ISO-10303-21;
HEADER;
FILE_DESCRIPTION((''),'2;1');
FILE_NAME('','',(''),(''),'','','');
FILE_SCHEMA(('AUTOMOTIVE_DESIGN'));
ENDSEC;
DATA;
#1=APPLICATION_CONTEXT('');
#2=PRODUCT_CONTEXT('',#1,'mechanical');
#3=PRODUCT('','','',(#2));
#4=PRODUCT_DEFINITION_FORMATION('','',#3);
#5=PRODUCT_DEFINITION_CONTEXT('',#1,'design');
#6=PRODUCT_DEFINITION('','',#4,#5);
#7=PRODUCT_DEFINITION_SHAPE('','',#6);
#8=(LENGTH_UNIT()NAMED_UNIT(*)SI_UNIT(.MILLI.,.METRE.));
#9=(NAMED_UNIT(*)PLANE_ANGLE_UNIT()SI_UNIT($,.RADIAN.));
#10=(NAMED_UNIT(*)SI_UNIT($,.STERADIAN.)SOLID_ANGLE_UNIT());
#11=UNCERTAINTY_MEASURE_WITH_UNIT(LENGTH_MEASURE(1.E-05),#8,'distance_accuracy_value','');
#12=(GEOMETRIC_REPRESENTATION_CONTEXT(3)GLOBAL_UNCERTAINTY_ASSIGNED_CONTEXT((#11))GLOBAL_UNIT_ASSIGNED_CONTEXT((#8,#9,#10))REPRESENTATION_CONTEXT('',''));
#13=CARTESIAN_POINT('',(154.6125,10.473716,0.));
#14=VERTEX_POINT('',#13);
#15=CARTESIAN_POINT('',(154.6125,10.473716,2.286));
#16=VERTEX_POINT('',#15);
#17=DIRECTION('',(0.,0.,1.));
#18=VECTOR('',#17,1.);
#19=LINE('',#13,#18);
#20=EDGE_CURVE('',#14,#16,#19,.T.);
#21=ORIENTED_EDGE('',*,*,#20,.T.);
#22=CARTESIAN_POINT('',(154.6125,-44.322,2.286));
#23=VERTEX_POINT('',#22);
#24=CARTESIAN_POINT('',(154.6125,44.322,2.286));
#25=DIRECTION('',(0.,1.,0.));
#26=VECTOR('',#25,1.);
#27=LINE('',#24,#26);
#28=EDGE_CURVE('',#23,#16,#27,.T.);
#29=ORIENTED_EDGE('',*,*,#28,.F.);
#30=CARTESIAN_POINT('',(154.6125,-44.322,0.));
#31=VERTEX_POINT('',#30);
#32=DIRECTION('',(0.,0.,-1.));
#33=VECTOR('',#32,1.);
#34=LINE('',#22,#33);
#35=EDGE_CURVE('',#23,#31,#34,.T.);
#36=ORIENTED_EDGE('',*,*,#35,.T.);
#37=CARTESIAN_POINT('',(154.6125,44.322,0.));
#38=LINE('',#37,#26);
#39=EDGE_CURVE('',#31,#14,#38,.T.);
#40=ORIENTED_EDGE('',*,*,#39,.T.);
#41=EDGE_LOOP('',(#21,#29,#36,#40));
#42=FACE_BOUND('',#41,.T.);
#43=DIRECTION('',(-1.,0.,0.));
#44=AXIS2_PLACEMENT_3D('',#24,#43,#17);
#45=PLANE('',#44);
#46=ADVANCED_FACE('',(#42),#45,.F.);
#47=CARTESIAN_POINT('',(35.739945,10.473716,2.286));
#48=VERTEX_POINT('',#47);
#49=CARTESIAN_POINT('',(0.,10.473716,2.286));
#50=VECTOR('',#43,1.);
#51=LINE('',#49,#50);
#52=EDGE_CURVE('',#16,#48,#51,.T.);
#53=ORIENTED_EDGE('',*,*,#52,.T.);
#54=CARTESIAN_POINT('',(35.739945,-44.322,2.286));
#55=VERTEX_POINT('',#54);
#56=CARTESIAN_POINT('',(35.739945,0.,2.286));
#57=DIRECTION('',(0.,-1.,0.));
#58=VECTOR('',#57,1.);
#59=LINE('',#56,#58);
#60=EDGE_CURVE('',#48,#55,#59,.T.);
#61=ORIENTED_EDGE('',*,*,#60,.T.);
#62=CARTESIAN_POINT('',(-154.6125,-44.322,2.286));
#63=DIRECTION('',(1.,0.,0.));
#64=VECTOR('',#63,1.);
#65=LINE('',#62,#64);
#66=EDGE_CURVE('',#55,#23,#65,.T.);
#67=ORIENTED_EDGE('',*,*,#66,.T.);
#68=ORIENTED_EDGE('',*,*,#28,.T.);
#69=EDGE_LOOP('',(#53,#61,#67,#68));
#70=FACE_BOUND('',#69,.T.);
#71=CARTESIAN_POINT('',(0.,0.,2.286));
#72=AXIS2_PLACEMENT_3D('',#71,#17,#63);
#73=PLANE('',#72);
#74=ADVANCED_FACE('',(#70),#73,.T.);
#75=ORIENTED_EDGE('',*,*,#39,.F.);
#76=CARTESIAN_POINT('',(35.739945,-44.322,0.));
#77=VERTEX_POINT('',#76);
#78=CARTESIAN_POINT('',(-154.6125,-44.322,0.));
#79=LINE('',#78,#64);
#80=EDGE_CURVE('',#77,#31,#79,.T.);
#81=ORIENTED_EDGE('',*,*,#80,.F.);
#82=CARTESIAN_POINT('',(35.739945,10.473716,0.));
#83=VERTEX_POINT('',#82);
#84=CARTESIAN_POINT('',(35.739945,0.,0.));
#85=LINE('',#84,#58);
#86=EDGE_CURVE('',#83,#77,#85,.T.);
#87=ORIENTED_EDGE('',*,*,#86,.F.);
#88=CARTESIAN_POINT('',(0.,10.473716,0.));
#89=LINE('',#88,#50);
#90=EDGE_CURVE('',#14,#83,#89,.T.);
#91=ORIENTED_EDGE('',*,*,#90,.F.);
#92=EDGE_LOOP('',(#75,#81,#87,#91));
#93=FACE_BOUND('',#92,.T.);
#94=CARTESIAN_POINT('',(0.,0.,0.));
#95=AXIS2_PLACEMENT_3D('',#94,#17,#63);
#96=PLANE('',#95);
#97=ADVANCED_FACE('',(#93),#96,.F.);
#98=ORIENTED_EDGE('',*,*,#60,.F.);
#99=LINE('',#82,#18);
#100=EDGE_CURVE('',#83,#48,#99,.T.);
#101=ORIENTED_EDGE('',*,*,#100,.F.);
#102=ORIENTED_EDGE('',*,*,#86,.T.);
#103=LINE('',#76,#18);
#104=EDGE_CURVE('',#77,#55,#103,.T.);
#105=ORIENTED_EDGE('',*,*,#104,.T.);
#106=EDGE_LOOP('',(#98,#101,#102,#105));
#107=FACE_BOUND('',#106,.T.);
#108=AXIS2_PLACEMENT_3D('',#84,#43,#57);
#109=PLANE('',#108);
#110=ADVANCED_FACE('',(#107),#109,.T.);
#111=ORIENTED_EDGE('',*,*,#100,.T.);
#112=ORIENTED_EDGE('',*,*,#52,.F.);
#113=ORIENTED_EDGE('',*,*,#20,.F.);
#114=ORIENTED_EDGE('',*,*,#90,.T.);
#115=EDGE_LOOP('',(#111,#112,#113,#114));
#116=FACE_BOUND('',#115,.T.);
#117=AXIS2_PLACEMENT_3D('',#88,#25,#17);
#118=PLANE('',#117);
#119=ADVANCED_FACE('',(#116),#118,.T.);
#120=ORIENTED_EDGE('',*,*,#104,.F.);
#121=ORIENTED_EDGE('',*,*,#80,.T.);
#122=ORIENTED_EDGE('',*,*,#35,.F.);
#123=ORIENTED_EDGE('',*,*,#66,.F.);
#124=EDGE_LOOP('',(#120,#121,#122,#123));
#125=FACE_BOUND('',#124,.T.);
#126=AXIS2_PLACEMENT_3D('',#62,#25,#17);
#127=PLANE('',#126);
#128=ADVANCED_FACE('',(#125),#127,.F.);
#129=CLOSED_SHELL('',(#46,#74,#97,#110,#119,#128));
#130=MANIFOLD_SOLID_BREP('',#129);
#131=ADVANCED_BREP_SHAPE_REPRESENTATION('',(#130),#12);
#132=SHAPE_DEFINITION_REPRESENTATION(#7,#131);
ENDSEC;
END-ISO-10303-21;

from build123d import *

# Parameters (mm, degrees)
SKETCH1_W           = 309.225
SKETCH1_H           = 88.644
BOSS_EXTRUDE1_DEPTH = 2.286
CUT_EXTRUDE4_DEPTH  = 161.856117808


with BuildPart() as part:
    # Sketch1 → Boss-Extrude1 (new body)
    with BuildSketch(Plane.XY):
        Rectangle(SKETCH1_W, SKETCH1_H)
    extrude(amount=BOSS_EXTRUDE1_DEPTH)

    # Sketch4 → Cut-Extrude4 (cut, through all)
    with BuildSketch(Plane.XY.offset(2.286)):
        Polygon((154.6125, 10.473715629), (154.6125, 44.322), (-154.6125, 44.322), (-154.6125, -44.322), (35.739944789, -44.322), (35.739944789, 10.473715629), align=None)
    extrude(amount=-CUT_EXTRUDE4_DEPTH, mode=Mode.SUBTRACT)


solid = part.part
